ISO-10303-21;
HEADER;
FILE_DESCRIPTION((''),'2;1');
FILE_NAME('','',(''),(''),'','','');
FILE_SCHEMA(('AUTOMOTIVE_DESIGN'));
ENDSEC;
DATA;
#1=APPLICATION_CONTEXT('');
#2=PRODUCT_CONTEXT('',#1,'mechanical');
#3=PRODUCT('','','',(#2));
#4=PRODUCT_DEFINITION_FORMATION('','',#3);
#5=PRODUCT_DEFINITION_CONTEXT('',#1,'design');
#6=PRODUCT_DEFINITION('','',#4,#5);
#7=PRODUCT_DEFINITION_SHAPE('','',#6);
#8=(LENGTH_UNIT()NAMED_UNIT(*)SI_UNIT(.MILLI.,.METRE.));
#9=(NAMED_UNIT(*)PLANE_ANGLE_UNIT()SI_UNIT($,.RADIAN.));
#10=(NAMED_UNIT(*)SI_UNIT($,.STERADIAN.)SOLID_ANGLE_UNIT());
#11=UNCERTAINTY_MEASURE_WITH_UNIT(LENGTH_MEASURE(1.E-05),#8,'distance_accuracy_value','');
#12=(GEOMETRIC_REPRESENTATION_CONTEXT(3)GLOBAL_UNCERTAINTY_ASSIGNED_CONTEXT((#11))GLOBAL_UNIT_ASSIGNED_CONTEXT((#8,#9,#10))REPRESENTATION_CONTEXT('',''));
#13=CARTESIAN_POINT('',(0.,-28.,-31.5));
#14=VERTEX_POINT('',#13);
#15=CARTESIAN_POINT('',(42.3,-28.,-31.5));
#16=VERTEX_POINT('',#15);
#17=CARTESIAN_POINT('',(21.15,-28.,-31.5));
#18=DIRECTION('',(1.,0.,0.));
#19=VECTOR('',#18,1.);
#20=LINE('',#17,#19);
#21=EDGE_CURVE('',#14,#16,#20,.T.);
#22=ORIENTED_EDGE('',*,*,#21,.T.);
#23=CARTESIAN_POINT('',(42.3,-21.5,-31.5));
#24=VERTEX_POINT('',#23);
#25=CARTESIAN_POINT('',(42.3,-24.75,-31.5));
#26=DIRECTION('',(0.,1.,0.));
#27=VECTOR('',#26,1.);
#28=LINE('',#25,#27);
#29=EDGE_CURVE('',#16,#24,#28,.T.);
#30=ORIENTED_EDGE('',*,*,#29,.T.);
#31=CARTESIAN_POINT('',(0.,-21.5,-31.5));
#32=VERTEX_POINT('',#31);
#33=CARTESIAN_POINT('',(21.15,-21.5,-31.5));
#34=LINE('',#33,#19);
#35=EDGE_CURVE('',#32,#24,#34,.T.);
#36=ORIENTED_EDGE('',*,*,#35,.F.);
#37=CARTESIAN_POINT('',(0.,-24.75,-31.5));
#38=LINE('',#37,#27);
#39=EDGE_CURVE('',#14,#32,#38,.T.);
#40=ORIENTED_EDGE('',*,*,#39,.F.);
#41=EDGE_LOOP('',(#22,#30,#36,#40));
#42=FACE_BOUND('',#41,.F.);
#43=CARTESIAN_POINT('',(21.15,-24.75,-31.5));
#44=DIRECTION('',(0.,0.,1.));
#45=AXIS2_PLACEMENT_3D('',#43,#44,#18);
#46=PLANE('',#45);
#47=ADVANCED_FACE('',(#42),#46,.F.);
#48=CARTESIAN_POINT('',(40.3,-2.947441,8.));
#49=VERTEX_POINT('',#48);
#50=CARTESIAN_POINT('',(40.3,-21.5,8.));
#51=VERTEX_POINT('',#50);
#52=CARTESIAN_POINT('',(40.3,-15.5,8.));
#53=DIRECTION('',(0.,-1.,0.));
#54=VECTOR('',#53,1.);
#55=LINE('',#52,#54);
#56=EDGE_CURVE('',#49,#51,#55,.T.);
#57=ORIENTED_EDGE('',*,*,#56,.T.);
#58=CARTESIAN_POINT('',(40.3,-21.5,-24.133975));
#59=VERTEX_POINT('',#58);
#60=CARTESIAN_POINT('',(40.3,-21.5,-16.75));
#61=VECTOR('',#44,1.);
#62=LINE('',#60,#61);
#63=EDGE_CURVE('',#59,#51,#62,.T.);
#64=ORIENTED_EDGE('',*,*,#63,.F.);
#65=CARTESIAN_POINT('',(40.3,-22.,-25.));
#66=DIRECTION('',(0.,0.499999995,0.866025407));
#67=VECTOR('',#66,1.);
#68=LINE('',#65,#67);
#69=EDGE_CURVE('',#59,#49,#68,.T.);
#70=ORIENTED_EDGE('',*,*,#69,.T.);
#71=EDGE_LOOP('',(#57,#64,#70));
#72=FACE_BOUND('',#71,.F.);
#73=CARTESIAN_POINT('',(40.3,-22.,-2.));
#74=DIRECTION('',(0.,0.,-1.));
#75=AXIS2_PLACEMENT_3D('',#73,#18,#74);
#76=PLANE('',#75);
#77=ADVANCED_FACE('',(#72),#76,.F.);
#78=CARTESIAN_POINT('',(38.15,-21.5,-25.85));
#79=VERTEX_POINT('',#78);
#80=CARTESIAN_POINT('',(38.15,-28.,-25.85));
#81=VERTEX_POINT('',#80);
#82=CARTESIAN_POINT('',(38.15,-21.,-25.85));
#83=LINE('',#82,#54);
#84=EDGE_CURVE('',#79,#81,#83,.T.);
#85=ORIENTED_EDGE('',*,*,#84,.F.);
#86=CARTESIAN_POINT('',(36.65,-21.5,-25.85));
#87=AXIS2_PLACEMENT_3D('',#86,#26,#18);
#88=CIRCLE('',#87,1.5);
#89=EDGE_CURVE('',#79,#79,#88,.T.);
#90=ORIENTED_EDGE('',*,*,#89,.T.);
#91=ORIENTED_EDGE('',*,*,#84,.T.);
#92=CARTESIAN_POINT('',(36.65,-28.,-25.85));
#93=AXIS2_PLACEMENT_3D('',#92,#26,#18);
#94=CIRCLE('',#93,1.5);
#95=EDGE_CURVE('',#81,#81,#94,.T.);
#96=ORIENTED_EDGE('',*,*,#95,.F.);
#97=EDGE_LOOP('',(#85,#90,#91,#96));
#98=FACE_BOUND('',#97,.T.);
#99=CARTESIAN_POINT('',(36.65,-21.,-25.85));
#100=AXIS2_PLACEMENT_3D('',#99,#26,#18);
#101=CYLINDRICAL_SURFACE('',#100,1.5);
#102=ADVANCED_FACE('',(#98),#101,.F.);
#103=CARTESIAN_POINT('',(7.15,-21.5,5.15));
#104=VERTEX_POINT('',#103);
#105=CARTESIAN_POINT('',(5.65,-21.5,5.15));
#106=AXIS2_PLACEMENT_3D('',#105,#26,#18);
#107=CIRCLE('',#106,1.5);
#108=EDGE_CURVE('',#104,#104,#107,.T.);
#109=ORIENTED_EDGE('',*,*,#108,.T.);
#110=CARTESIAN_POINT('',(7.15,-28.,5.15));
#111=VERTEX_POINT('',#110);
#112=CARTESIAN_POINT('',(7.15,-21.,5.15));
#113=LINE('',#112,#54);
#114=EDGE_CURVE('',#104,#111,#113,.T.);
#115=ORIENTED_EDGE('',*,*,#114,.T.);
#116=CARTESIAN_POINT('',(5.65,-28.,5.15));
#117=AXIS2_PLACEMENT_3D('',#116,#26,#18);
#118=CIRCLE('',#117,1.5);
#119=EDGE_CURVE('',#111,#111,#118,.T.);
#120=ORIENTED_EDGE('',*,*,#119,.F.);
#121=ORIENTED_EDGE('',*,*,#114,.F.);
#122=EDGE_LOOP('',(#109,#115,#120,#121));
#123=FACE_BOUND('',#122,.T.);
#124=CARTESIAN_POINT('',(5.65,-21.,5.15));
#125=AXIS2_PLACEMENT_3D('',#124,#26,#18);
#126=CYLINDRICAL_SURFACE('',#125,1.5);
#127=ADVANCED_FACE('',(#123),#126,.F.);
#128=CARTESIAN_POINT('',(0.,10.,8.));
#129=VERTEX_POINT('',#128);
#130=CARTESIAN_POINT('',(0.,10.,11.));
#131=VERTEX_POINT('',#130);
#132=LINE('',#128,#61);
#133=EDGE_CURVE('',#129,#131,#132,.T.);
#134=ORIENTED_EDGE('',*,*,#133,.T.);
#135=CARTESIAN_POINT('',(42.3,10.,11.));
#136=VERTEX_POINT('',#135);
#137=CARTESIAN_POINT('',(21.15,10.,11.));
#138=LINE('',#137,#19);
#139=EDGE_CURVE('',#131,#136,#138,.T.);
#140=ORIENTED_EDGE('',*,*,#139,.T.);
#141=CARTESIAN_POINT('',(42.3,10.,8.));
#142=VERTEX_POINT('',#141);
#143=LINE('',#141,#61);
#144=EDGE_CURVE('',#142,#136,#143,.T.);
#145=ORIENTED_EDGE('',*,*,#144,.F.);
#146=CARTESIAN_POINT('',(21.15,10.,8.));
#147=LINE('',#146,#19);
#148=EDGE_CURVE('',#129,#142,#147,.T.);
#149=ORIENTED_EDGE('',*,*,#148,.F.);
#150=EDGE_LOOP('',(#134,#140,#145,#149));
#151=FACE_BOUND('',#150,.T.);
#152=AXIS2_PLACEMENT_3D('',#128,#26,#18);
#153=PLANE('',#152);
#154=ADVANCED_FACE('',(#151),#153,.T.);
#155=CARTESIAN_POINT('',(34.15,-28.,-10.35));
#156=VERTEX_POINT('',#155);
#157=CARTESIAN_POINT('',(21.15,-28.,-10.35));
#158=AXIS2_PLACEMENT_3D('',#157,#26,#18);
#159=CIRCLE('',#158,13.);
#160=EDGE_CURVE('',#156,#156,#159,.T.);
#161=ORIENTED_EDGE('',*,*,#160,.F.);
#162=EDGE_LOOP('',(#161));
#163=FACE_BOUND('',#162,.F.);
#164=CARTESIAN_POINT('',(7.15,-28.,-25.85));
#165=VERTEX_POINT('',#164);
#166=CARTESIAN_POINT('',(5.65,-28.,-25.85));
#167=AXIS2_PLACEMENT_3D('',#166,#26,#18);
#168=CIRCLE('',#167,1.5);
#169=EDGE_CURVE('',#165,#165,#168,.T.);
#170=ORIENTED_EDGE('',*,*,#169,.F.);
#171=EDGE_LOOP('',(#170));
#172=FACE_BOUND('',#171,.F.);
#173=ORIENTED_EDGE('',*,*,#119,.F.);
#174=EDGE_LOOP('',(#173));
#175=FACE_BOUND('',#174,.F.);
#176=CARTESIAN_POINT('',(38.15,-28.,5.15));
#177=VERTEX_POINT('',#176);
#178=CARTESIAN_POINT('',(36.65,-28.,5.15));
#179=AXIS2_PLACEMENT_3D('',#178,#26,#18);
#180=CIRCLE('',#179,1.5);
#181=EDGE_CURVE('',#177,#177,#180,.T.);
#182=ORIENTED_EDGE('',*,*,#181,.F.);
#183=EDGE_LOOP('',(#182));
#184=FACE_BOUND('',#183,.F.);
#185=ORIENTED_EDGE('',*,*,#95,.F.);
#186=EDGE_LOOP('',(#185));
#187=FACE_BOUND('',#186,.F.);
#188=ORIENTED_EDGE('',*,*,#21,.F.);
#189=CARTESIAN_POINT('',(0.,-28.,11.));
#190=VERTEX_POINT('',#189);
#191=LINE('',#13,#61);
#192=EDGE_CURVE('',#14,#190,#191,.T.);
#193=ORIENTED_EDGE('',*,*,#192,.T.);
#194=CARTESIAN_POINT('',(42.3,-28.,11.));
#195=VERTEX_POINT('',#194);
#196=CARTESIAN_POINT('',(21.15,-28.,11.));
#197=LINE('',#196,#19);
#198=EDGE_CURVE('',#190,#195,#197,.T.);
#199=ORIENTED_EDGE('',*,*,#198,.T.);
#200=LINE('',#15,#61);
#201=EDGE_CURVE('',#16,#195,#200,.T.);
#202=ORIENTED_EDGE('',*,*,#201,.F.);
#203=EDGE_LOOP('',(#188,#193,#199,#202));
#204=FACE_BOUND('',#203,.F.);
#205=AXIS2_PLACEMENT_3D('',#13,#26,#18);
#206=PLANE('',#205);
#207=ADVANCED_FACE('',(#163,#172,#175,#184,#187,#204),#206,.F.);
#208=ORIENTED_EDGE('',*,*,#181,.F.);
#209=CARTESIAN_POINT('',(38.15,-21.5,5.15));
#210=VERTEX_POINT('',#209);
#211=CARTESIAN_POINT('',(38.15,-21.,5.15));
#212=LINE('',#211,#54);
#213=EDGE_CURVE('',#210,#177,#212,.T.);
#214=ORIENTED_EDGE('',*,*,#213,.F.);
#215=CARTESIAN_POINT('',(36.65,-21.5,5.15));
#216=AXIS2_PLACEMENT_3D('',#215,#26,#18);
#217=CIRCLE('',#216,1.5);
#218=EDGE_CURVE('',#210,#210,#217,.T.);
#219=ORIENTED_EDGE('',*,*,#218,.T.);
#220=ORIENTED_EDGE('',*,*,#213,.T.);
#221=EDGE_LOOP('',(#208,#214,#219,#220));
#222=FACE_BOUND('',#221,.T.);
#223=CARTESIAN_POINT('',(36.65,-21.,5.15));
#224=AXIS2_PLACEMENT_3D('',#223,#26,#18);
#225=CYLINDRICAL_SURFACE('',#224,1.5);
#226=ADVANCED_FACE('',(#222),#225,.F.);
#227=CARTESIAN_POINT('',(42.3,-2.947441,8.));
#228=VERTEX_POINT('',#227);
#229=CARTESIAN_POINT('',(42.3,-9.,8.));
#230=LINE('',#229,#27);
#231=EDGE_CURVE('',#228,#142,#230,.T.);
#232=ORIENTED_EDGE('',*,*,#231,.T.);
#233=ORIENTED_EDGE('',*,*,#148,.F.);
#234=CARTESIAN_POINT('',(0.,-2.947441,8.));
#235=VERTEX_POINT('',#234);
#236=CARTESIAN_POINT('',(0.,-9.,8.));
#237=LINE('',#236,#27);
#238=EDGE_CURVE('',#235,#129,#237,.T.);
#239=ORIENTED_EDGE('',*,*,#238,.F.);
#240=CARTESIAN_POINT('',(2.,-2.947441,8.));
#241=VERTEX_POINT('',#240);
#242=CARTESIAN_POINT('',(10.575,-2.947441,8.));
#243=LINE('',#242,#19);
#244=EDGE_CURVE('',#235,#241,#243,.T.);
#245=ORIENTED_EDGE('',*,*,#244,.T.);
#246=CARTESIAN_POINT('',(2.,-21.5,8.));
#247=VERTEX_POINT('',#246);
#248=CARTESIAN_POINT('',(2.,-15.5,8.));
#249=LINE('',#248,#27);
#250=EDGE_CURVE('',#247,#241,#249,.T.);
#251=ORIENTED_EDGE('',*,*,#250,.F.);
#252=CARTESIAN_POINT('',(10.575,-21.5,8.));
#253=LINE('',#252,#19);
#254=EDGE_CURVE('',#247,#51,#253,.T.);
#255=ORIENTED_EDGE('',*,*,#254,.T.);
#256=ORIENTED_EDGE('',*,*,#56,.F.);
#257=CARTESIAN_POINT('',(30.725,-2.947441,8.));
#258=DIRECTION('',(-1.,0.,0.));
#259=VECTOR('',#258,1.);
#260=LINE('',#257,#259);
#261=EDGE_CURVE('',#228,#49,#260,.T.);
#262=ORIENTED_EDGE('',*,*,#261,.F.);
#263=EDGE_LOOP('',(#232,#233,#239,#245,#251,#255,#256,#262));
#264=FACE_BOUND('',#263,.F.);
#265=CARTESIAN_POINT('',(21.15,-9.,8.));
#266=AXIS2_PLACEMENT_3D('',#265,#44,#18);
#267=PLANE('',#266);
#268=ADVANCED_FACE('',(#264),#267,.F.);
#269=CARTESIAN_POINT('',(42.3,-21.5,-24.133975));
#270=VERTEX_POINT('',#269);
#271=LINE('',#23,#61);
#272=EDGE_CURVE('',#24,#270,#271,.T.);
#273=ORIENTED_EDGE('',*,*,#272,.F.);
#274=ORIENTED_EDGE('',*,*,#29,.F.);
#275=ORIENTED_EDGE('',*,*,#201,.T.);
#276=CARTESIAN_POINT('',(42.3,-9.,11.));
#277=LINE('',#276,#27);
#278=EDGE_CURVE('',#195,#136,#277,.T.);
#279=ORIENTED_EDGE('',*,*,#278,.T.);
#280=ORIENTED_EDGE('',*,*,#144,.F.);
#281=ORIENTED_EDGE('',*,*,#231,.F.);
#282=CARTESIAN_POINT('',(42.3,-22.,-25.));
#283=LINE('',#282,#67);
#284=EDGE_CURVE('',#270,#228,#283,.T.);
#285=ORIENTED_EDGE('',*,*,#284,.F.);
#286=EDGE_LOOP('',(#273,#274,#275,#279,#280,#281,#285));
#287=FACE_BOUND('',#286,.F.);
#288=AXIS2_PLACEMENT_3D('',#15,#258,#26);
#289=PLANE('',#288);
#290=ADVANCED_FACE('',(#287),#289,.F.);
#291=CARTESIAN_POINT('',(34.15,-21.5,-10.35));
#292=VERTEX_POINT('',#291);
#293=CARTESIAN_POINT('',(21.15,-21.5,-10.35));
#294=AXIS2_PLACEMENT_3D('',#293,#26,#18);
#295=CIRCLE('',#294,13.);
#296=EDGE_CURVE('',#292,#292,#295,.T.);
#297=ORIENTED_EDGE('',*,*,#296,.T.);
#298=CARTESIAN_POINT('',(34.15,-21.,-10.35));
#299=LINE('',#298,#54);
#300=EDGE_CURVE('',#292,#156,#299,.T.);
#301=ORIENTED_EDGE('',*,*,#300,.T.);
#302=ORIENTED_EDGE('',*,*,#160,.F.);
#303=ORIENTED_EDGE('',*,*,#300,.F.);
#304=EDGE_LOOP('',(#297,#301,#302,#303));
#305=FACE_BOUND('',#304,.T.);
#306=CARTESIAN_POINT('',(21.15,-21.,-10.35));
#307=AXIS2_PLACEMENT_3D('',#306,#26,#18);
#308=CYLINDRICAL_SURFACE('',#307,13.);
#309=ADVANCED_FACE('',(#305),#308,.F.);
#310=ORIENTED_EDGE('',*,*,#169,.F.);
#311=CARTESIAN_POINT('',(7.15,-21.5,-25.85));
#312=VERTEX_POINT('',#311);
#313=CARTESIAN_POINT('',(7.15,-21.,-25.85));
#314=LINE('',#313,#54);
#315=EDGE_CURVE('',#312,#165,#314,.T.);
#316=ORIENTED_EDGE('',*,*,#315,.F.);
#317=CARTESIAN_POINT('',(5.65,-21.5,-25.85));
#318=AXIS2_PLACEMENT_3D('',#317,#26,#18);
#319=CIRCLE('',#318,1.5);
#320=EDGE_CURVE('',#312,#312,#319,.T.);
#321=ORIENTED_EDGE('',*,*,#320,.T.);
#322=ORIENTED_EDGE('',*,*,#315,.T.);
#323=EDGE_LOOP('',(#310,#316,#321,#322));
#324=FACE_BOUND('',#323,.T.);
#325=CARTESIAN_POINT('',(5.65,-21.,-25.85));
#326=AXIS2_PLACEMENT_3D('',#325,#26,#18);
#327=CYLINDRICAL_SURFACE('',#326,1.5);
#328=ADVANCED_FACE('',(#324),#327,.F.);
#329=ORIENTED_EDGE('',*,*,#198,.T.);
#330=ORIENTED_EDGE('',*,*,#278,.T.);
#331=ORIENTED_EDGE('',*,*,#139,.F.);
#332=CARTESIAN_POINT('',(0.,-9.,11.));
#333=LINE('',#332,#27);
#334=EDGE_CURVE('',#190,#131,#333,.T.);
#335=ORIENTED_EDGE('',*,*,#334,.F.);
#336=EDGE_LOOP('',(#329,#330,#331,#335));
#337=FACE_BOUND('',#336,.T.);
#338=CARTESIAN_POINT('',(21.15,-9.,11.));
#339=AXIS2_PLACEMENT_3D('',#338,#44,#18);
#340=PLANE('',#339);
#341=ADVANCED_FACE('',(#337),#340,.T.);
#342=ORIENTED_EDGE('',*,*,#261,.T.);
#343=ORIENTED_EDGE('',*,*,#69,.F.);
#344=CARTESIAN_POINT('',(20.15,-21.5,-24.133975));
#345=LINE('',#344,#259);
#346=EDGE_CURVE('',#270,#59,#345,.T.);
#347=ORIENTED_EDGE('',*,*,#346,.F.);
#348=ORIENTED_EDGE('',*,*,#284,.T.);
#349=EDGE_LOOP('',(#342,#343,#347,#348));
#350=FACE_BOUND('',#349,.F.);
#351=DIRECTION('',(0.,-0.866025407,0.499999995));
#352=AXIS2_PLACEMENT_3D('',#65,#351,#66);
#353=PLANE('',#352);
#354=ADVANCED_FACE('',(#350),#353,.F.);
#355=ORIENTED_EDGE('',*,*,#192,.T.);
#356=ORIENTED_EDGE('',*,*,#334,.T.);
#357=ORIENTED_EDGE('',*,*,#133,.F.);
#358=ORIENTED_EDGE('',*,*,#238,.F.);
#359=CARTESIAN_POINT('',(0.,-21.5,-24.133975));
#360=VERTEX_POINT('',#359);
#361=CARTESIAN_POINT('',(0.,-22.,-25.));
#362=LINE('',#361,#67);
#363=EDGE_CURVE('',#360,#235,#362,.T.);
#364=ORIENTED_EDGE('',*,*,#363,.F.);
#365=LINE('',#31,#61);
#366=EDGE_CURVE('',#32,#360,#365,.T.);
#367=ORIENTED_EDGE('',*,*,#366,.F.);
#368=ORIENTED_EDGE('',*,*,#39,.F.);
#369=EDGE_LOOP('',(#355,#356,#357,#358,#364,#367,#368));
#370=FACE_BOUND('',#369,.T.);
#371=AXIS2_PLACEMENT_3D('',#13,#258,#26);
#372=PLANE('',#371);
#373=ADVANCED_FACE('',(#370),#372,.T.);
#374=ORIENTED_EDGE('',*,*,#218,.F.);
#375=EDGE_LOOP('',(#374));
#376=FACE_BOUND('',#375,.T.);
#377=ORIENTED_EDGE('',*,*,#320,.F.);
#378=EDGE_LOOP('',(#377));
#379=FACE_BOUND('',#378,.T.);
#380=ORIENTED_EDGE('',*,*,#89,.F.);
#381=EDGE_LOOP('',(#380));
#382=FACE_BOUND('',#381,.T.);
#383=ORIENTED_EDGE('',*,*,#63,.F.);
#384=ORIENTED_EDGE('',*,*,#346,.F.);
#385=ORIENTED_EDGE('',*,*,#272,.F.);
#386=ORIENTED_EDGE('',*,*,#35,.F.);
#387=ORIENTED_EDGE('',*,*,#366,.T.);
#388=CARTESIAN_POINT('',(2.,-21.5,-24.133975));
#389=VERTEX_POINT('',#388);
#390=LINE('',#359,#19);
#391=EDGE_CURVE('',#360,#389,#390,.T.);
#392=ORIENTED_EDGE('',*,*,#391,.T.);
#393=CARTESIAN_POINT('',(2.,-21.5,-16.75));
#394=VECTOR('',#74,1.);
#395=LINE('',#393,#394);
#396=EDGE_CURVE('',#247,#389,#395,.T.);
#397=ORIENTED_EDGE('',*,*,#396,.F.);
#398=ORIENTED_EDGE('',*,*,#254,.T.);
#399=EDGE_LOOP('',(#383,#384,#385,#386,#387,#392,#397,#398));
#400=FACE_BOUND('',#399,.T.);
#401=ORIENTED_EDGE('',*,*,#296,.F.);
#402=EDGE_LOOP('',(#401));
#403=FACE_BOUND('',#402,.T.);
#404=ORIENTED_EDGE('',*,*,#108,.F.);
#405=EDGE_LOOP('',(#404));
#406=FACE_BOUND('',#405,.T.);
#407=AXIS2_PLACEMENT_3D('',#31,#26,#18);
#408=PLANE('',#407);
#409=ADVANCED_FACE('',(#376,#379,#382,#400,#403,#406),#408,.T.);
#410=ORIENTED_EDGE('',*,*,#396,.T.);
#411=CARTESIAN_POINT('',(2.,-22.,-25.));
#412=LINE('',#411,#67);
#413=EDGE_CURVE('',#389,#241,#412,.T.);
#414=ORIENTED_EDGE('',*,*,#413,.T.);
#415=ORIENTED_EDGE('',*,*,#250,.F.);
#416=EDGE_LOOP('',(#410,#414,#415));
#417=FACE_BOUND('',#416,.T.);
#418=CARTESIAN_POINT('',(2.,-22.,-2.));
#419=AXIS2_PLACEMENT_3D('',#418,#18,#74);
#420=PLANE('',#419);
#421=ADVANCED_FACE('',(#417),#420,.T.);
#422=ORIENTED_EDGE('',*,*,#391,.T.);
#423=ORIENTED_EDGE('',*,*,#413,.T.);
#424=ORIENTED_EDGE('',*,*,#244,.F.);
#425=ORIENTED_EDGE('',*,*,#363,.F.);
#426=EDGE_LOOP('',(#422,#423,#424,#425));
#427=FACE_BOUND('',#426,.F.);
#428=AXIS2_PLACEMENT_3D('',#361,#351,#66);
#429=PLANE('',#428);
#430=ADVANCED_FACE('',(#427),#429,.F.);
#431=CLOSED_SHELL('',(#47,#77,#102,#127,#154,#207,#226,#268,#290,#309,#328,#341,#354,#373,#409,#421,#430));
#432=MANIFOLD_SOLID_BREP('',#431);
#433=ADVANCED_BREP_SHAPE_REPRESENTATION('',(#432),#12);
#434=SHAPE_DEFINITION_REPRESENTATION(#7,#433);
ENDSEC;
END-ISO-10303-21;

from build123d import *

# Parameters (mm, degrees)
BOX009_W          = 44
BOX009_H          = 24
BOX009_DEPTH      = 70
PRISM001_DEPTH    = 2
BOX008_W          = 42.3
BOX008_H          = 38
BOX008_DEPTH      = 3
CYLINDER005_R     = 13
CYLINDER005_DEPTH = 10
CYLINDER002_R     = 1.5
CYLINDER002_DEPTH = 10
CYLINDER003_R     = 1.5
CYLINDER003_DEPTH = 10
CYLINDER004_R     = 1.5
CYLINDER004_DEPTH = 10
CYLINDER001_R     = 1.5
CYLINDER001_DEPTH = 10
BOX007_W          = 42.3
BOX007_H          = 6.5
BOX007_DEPTH      = 42.3
BOX010_W          = 44
BOX010_H          = 24
BOX010_DEPTH      = 70
PRISM002_DEPTH    = 2


with BuildPart() as cube009:
    # Box009 → Box009 (new body)
    with BuildSketch(Plane(origin=(0, -43, -25.5), x_dir=(1, 0, 0), z_dir=(0, 0, 1))):
        with Locations((22, 12)):
            Rectangle(BOX009_W, BOX009_H)
    extrude(amount=BOX009_DEPTH)


with BuildPart() as cut012:
    # Prism001 → Prism001 (new body)
    with BuildSketch(Plane(origin=(0, -19, 2), x_dir=(0, 0, -1), z_dir=(1, 0, 0))):
        Polygon((23, 0), (-11.5, 19.918584), (-11.5, -19.918584), align=None)
    extrude(amount=PRISM001_DEPTH)

    # Cut012: cut Cube009
    add(cube009.part, mode=Mode.SUBTRACT)


with BuildPart() as cut012_1:
    # Cut012 placement: moved
    add(cut012.part.moved(Location((0, -3, -4))))


with BuildPart() as cube008:
    # Box008 → Box008 (new body)
    with BuildSketch(Plane(origin=(0, -28, 8), x_dir=(1, 0, 0), z_dir=(0, 0, 1))):
        with Locations((21.15, 19)):
            Rectangle(BOX008_W, BOX008_H)
    extrude(amount=BOX008_DEPTH)


with BuildPart() as cylinder005:
    # Cylinder005 → Cylinder005 (new body)
    with BuildSketch(Plane(origin=(21.15, -14, 21.15), x_dir=(1, 0, 0), z_dir=(0, -1, 0))):
        Circle(CYLINDER005_R)
    extrude(amount=CYLINDER005_DEPTH)


with BuildPart() as cylinder002:
    # Cylinder002 → Cylinder002 (new body)
    with BuildSketch(Plane(origin=(5.65, -14, 36.65), x_dir=(1, 0, 0), z_dir=(0, -1, 0))):
        Circle(CYLINDER002_R)
    extrude(amount=CYLINDER002_DEPTH)


with BuildPart() as cylinder003:
    # Cylinder003 → Cylinder003 (new body)
    with BuildSketch(Plane(origin=(36.65, -14, 5.65), x_dir=(1, 0, 0), z_dir=(0, -1, 0))):
        Circle(CYLINDER003_R)
    extrude(amount=CYLINDER003_DEPTH)


with BuildPart() as cylinder004:
    # Cylinder004 → Cylinder004 (new body)
    with BuildSketch(Plane(origin=(36.65, -14, 36.65), x_dir=(1, 0, 0), z_dir=(0, -1, 0))):
        Circle(CYLINDER004_R)
    extrude(amount=CYLINDER004_DEPTH)


with BuildPart() as cylinder001:
    # Cylinder001 → Cylinder001 (new body)
    with BuildSketch(Plane(origin=(5.65, -14, 5.65), x_dir=(1, 0, 0), z_dir=(0, -1, 0))):
        Circle(CYLINDER001_R)
    extrude(amount=CYLINDER001_DEPTH)


with BuildPart() as fusion002:
    # Box007 → Box007 (new body)
    with BuildSketch(Plane(origin=(0, -21, 0), x_dir=(1, 0, 0), z_dir=(0, 0, 1))):
        with Locations((21.15, 3.25)):
            Rectangle(BOX007_W, BOX007_H)
    extrude(amount=BOX007_DEPTH)

    # Cut007: cut Cylinder001
    add(cylinder001.part, mode=Mode.SUBTRACT)

    # Cut008: cut Cylinder004
    add(cylinder004.part, mode=Mode.SUBTRACT)

    # Cut009: cut Cylinder003
    add(cylinder003.part, mode=Mode.SUBTRACT)

    # Cut010: cut Cylinder002
    add(cylinder002.part, mode=Mode.SUBTRACT)

    # Cut011: cut Cylinder005
    add(cylinder005.part, mode=Mode.SUBTRACT)


with BuildPart() as fusion002_1:
    # Cut011 placement: moved
    add(fusion002.part.moved(Location((0, -7, -31.5))))

    # Fusion001: union Cube008
    add(cube008.part)

    # Fusion002: union Cut012
    add(cut012_1.part)


with BuildPart() as cube010:
    # Box010 → Box010 (new body)
    with BuildSketch(Plane(origin=(0, -43, -25.5), x_dir=(1, 0, 0), z_dir=(0, 0, 1))):
        with Locations((22, 12)):
            Rectangle(BOX010_W, BOX010_H)
    extrude(amount=BOX010_DEPTH)


with BuildPart() as motormountv1:
    # Prism002 → Prism002 (new body)
    with BuildSketch(Plane(origin=(0, -19, 2), x_dir=(0, 0, -1), z_dir=(1, 0, 0))):
        Polygon((23, 0), (-11.5, 19.918584), (-11.5, -19.918584), align=None)
    extrude(amount=PRISM002_DEPTH)

    # Cut013: cut Cube010
    add(cube010.part, mode=Mode.SUBTRACT)


with BuildPart() as motormountv1_1:
    # Cut013 placement: moved
    add(motormountv1.part.moved(Location((40.3, -3, -4))))

    # Fusion003: union Fusion002
    add(fusion002_1.part)


solid = motormountv1_1.part
